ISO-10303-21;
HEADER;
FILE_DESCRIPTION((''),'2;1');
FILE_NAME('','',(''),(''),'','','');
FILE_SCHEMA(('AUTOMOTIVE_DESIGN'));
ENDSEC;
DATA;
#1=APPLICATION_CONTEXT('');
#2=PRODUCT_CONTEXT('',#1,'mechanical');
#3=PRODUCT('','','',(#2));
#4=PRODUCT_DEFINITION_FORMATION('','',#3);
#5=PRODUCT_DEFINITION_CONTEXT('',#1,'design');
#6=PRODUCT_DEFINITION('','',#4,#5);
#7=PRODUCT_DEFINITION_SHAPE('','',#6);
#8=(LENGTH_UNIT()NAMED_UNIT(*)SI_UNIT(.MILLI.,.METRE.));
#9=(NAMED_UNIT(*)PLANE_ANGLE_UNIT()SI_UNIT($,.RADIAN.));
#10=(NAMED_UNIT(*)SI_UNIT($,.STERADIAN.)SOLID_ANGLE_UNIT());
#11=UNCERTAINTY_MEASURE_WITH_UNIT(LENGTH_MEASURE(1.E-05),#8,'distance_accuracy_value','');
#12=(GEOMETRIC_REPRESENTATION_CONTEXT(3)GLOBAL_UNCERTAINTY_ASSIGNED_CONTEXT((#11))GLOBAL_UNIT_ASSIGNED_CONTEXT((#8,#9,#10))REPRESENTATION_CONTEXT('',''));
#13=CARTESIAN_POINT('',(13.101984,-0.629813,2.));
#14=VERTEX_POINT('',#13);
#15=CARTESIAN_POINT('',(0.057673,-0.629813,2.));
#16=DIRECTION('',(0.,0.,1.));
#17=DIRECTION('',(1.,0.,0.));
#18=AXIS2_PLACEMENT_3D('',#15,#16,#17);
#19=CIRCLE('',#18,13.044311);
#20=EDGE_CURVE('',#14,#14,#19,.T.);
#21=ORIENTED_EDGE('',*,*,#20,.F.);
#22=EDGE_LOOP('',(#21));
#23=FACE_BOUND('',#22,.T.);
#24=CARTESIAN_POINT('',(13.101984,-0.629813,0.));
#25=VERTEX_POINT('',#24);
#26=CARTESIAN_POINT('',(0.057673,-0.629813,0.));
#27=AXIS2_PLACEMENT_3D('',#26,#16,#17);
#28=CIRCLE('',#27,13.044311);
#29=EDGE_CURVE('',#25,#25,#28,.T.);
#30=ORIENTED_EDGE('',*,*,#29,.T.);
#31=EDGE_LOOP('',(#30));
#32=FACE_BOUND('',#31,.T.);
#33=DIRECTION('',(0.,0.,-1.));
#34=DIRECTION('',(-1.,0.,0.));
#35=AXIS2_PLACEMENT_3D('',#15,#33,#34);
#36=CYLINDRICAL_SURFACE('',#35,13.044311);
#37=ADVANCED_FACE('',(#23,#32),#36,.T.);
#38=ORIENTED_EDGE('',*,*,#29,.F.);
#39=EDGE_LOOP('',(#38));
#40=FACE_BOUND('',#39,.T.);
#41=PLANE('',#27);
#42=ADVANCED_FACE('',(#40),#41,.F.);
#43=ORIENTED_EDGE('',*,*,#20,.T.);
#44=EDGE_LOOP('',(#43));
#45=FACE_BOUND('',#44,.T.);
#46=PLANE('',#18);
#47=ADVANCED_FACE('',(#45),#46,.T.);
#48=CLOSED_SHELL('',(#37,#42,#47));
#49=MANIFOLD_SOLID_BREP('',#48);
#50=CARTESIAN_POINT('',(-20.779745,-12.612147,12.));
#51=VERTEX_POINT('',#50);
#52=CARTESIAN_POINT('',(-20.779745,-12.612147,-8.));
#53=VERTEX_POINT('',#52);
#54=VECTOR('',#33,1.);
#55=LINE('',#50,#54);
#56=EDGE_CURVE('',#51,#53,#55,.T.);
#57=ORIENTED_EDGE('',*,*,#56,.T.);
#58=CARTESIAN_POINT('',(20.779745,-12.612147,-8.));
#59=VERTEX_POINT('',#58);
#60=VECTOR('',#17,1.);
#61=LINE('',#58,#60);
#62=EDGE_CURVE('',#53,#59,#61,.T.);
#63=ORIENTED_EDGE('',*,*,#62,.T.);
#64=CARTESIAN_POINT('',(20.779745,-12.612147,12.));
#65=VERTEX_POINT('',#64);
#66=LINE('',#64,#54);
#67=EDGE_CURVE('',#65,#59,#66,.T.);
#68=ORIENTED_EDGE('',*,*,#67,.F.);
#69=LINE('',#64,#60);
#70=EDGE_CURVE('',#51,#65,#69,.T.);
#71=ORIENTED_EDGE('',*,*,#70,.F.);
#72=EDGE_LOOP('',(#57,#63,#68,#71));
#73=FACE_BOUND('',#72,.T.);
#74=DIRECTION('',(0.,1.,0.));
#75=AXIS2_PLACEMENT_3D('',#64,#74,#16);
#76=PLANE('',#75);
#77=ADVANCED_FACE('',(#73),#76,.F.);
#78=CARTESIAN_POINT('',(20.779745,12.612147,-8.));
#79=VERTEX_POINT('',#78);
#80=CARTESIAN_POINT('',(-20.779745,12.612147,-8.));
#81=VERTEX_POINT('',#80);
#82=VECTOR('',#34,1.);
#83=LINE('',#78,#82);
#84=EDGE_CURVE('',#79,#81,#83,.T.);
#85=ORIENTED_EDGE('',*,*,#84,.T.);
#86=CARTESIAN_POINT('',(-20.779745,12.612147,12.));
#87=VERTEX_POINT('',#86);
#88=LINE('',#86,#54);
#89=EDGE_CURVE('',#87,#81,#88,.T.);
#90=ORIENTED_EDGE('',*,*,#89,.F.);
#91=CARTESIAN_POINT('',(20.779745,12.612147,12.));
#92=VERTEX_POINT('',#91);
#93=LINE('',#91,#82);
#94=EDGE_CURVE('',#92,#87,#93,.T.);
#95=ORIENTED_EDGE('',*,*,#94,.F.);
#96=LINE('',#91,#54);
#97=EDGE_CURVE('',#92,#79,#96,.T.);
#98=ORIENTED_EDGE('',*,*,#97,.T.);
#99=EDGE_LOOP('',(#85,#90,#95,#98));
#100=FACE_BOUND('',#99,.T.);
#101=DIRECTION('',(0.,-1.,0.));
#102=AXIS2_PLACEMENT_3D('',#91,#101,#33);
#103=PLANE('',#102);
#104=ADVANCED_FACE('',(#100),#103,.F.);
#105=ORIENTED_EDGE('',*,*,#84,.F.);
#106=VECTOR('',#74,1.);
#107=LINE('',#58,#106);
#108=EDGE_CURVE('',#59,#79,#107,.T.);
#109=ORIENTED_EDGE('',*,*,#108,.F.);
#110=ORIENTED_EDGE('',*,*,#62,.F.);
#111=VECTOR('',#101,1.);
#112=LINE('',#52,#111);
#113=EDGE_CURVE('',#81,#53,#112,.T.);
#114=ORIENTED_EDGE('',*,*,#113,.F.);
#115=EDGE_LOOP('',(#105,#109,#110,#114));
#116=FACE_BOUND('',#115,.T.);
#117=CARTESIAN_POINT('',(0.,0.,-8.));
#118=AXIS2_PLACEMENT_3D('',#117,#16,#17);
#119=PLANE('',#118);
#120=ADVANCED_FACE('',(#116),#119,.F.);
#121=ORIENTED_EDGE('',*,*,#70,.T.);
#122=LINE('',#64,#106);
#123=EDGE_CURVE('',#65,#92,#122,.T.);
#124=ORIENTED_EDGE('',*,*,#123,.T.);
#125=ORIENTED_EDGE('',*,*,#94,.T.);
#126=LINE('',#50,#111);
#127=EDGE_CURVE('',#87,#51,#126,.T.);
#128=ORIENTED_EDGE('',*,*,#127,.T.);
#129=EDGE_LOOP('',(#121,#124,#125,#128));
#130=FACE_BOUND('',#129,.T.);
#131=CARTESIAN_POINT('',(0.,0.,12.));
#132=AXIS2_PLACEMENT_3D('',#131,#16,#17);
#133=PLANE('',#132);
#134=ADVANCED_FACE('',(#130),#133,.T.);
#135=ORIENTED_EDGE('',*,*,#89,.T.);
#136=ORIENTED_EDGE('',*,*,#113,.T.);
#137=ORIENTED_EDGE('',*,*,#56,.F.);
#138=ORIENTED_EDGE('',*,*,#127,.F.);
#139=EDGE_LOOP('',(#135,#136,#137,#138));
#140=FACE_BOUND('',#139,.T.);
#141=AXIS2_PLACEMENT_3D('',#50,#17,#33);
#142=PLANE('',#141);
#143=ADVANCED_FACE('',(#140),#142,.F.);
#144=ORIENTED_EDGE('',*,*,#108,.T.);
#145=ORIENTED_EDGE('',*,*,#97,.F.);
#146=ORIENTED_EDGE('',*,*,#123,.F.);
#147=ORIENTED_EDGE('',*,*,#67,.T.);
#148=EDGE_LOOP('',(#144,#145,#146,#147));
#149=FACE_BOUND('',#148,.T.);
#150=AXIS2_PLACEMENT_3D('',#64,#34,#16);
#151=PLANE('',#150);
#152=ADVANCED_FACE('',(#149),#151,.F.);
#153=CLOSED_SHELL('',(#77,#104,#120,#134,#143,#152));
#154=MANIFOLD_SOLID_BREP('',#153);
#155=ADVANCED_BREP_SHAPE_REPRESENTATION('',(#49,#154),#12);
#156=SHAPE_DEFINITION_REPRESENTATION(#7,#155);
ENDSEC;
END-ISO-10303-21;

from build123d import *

# Parameters (mm, degrees)
SKETCH1_R           = 13.044310864
BOSS_EXTRUDE1_DEPTH = 2
SKETCH2_W           = 41.559490096
SKETCH2_H           = 25.224294724
BOSS_EXTRUDE2_DEPTH = 10


with BuildPart() as part:
    # Sketch1 → Boss-Extrude1 (new body)
    with BuildSketch(Plane.XY):
        with Locations((0.057673109, -0.629813302)):
            Circle(SKETCH1_R)
    extrude(amount=BOSS_EXTRUDE1_DEPTH)


with BuildPart() as body_2:
    # Sketch2 → Boss-Extrude2 (new, symmetric)
    with BuildSketch(Plane.XY.offset(2)):
        Rectangle(SKETCH2_W, SKETCH2_H)
    extrude(amount=BOSS_EXTRUDE2_DEPTH, both=True)


solid = Compound([part.part, body_2.part])
